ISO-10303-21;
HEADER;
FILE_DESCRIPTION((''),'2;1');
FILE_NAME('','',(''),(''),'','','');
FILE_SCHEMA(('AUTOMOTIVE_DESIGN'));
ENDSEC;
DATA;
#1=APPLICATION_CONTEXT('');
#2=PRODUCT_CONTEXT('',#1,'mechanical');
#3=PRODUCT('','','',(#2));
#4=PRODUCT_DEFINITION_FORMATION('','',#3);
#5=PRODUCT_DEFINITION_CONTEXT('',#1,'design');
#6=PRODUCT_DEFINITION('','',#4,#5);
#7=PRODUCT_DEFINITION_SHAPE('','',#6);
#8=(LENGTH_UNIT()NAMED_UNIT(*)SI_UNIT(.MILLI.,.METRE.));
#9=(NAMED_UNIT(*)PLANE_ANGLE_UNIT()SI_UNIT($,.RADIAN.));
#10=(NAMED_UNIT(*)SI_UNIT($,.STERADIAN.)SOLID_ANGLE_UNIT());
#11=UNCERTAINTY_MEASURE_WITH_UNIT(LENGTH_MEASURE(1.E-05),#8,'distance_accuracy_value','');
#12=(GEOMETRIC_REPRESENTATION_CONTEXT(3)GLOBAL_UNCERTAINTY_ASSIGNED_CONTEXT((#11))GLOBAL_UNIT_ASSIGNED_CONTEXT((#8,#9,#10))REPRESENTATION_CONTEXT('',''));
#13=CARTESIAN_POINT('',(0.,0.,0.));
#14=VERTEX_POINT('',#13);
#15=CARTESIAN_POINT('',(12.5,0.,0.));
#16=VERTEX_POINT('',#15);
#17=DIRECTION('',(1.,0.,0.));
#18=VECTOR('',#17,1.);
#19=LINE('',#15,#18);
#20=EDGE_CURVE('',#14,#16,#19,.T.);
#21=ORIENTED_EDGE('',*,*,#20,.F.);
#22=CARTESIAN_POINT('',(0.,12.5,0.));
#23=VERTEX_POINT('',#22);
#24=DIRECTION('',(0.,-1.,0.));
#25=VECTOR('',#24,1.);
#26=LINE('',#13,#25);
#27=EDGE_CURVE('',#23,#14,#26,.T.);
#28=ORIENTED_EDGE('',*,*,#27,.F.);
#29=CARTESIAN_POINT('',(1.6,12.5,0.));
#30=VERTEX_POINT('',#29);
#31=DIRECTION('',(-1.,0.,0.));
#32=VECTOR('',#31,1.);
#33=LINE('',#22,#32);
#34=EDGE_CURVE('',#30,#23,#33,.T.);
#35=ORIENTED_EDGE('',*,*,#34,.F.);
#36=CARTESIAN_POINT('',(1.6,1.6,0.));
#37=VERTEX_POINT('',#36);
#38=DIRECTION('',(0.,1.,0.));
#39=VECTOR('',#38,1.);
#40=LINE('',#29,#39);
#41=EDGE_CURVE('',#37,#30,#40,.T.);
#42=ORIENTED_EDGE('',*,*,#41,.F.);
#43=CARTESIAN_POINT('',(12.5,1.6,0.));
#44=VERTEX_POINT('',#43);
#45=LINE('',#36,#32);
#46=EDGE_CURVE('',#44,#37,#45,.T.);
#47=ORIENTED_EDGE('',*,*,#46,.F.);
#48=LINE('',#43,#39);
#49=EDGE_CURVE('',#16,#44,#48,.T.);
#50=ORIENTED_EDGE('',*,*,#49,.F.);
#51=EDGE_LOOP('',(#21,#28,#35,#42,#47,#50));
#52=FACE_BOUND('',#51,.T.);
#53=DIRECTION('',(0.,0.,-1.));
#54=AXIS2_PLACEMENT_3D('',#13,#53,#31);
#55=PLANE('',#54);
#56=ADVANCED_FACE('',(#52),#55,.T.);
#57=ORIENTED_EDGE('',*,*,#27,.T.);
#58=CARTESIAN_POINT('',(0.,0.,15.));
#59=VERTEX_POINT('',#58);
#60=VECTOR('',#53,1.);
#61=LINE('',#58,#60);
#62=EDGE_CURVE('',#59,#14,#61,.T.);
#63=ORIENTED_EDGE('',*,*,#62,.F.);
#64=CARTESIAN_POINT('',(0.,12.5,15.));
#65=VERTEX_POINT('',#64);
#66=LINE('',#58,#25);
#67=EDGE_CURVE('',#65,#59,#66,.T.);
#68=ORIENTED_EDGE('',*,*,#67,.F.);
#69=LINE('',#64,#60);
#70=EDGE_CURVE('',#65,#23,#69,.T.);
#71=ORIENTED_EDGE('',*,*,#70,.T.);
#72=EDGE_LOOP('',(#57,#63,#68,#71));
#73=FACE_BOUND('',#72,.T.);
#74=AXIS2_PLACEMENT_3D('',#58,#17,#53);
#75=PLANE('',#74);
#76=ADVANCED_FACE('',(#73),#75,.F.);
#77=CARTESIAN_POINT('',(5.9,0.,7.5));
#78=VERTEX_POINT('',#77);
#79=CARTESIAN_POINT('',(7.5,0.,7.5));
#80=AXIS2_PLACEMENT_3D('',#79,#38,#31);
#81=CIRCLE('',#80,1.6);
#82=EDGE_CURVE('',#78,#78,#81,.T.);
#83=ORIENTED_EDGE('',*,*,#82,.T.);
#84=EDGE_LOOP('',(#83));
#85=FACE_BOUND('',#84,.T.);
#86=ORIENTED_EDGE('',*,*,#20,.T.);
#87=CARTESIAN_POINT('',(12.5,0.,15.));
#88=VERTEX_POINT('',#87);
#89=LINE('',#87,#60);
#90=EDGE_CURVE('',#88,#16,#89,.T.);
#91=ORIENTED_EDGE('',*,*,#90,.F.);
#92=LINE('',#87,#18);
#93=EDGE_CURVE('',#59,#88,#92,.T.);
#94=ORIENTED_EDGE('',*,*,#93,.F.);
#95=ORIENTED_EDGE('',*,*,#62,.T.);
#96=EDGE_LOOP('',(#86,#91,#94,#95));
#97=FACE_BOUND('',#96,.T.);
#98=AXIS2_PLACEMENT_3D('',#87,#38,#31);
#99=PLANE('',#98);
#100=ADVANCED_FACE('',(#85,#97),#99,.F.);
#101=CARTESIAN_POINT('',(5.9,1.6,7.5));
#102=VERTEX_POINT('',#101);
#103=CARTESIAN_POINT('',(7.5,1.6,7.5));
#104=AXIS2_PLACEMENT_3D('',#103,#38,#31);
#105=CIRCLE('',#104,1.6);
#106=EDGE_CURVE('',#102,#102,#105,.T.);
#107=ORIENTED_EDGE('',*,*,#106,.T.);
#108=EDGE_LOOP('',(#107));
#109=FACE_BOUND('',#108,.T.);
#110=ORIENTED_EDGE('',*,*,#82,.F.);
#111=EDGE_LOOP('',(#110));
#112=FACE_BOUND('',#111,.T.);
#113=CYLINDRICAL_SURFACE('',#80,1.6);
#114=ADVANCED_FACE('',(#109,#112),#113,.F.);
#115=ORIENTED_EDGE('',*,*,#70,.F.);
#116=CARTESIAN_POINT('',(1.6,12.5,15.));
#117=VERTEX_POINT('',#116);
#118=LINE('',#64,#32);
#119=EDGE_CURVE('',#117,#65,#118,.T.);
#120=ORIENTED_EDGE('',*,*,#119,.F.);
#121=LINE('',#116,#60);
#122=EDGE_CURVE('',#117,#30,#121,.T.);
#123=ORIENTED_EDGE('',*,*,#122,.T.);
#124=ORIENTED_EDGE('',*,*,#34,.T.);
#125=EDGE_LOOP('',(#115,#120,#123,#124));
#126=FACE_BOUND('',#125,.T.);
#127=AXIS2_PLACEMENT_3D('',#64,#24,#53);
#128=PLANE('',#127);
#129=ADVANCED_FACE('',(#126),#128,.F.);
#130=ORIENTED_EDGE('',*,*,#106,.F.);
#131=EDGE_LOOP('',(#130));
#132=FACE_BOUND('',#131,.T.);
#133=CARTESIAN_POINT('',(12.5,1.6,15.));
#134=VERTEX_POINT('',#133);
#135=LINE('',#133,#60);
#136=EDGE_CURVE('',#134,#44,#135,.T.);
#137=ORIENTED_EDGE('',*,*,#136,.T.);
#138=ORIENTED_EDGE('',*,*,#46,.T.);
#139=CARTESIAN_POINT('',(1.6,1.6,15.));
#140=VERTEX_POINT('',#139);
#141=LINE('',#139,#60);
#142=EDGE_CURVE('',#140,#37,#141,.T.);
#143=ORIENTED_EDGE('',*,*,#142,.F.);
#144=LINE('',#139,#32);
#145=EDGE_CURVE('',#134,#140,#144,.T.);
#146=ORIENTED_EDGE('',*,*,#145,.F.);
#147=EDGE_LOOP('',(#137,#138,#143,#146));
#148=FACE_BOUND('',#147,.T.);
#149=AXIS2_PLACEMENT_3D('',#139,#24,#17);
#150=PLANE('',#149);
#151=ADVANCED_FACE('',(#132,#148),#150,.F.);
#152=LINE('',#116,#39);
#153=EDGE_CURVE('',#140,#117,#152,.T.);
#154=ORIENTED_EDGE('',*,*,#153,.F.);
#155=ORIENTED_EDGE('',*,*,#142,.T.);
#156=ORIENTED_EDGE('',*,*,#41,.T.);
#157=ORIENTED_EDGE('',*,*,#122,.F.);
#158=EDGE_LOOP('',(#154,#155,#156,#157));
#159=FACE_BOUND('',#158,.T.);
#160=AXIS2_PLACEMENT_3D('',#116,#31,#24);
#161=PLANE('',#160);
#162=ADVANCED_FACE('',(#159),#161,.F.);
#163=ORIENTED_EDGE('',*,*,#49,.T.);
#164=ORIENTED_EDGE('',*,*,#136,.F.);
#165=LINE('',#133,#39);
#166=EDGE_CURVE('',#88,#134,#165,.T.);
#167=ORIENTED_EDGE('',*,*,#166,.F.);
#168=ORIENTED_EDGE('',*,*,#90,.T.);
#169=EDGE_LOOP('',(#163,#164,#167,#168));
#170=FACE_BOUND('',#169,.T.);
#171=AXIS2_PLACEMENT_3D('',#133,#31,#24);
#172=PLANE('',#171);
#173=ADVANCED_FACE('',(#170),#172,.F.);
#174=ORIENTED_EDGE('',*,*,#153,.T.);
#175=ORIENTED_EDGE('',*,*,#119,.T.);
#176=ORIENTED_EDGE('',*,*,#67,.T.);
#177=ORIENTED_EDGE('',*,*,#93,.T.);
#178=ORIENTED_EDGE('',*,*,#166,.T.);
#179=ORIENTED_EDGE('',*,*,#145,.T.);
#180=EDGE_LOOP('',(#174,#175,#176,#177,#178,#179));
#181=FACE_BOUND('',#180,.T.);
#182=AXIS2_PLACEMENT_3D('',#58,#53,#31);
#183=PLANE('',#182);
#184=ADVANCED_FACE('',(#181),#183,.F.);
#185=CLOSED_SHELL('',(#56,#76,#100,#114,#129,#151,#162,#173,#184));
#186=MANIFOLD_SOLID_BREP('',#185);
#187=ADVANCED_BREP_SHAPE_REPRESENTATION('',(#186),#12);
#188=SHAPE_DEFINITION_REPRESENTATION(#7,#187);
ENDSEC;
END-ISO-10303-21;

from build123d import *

# Parameters (mm, degrees)
BOSS_EXTRUDE1_DEPTH = 15
SKETCH2_R           = 1.6
CUT_EXTRUDE1_DEPTH  = 23.362021376


with BuildPart() as part:
    # Sketch1 → Boss-Extrude1 (new body)
    with BuildSketch(Plane.XY):
        Polygon((0, 0), (0, 12.5), (1.6, 12.5), (1.6, 1.6), (12.5, 1.6), (12.5, 0), align=None)
    extrude(amount=BOSS_EXTRUDE1_DEPTH)

    # Sketch2 → Cut-Extrude1 (cut, through all)
    with BuildSketch(Plane(origin=(0, 1.6, 0), x_dir=(1, 0, 0), z_dir=(0, 1, 0))):
        with Locations(Location((7.5, -7.5, 0), (0, 0, 180))):
            Circle(SKETCH2_R)
    extrude(amount=-CUT_EXTRUDE1_DEPTH, mode=Mode.SUBTRACT)


solid = part.part
